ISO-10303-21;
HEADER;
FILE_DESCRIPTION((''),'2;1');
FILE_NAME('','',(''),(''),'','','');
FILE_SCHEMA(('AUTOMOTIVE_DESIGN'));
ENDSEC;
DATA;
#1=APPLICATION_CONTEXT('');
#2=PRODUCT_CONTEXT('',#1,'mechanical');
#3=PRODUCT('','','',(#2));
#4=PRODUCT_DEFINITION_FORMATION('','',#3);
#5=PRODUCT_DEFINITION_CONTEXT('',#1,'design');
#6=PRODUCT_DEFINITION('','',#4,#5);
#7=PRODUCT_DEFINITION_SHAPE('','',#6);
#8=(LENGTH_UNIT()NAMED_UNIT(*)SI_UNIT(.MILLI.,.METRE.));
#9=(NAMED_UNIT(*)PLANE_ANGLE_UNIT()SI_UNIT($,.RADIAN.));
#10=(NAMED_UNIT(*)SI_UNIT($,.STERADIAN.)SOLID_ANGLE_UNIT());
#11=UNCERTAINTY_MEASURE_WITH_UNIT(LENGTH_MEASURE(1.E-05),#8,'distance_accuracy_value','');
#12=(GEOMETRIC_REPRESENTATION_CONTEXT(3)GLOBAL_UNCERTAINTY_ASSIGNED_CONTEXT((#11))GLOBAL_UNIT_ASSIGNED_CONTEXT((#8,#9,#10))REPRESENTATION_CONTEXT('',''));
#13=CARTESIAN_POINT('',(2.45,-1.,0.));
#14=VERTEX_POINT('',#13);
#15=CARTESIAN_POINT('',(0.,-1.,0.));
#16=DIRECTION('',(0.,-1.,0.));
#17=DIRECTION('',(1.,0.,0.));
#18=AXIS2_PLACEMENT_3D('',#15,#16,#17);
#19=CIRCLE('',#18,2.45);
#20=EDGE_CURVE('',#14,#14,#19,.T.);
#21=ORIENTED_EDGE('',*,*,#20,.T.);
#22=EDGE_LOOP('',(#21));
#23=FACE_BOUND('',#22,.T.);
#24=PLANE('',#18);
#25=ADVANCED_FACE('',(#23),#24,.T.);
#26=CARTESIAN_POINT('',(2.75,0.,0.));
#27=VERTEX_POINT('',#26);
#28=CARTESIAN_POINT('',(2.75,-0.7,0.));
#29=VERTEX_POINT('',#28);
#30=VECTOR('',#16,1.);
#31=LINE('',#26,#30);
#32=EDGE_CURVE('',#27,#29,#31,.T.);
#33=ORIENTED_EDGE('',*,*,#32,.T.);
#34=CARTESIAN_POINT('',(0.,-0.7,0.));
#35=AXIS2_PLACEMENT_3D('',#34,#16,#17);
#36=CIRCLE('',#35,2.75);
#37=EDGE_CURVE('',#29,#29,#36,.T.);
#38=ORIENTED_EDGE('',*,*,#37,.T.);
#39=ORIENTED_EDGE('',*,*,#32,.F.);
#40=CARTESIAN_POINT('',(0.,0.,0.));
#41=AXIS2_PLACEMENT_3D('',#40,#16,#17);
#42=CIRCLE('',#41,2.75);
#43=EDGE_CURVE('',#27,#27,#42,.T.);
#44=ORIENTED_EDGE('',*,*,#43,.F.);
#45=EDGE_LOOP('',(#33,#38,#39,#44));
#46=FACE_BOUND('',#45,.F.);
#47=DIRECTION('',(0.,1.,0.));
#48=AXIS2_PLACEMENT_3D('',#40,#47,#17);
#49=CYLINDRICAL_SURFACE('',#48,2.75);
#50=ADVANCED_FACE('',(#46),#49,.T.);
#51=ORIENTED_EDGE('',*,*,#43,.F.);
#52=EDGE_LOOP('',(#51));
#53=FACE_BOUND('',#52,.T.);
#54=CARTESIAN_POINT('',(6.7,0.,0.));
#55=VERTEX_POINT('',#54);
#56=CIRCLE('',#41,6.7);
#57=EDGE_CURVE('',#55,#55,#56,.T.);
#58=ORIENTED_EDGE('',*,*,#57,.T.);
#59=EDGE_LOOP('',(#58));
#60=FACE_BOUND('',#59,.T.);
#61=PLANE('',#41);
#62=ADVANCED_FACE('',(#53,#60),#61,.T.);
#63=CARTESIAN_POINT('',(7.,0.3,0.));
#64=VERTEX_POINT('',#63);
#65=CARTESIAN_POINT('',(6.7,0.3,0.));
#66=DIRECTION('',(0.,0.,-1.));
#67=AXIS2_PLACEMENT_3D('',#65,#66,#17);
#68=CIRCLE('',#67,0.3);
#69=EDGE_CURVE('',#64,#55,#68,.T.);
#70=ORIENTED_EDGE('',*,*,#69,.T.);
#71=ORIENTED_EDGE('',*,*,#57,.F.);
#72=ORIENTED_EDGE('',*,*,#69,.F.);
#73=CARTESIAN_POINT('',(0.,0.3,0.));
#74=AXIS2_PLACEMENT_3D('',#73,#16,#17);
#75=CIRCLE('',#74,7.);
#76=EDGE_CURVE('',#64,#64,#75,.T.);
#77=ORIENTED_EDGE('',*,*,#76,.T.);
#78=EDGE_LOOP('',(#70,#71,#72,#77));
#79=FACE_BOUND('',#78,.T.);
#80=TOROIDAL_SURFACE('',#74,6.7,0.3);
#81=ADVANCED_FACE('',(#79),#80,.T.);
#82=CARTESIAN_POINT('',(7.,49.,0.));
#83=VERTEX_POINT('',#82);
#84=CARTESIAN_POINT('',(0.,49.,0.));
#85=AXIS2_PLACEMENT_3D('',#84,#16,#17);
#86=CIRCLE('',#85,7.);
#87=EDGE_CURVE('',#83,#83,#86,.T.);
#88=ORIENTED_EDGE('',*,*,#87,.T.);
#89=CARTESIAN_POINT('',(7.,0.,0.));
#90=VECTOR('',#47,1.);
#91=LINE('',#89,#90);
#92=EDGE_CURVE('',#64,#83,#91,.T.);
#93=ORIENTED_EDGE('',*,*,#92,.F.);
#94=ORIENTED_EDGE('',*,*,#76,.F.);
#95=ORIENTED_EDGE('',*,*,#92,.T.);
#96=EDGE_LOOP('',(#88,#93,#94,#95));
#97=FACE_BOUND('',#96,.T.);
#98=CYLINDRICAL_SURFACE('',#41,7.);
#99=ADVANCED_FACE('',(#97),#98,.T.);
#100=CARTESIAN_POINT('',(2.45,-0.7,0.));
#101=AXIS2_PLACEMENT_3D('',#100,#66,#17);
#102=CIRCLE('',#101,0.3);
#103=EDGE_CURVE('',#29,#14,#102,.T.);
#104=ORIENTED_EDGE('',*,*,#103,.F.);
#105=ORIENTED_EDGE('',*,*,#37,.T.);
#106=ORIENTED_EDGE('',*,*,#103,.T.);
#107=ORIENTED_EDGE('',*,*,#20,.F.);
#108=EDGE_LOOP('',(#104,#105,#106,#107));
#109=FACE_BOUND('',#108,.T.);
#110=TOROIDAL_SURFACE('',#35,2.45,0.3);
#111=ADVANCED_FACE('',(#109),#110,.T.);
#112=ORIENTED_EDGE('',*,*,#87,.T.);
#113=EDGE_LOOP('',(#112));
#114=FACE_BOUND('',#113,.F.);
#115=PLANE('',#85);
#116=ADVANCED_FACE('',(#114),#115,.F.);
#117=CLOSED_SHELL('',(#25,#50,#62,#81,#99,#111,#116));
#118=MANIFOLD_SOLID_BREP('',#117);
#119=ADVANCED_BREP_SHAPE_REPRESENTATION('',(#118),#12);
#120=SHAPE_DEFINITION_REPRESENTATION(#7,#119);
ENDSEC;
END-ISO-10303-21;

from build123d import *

# Parameters (mm, degrees)
F0_R     = 7
F0_R_2   = 2.75
F1_DEPTH = 49
F2_DEPTH = 1
F3_R     = 0.3


with BuildPart() as f1:
    # F0 (on Front) → F1 (new body)
    with BuildSketch(Plane.XZ):
        Circle(F0_R)
        Circle(F0_R_2, mode=Mode.SUBTRACT)
        Circle(F0_R_2)
    extrude(amount=-F1_DEPTH)

    # F0 (on Front) → F2 (join)
    with BuildSketch(Plane.XZ):
        Circle(F0_R_2)
    extrude(amount=F2_DEPTH)

    # F3
    f3_edges = [f1.edges().sort_by_distance(p)[0] for p in [
        (-2.75, -1, 0),
        (-7, 0, 0),
    ]]
    fillet(f3_edges, radius=F3_R)


solid = f1.part
